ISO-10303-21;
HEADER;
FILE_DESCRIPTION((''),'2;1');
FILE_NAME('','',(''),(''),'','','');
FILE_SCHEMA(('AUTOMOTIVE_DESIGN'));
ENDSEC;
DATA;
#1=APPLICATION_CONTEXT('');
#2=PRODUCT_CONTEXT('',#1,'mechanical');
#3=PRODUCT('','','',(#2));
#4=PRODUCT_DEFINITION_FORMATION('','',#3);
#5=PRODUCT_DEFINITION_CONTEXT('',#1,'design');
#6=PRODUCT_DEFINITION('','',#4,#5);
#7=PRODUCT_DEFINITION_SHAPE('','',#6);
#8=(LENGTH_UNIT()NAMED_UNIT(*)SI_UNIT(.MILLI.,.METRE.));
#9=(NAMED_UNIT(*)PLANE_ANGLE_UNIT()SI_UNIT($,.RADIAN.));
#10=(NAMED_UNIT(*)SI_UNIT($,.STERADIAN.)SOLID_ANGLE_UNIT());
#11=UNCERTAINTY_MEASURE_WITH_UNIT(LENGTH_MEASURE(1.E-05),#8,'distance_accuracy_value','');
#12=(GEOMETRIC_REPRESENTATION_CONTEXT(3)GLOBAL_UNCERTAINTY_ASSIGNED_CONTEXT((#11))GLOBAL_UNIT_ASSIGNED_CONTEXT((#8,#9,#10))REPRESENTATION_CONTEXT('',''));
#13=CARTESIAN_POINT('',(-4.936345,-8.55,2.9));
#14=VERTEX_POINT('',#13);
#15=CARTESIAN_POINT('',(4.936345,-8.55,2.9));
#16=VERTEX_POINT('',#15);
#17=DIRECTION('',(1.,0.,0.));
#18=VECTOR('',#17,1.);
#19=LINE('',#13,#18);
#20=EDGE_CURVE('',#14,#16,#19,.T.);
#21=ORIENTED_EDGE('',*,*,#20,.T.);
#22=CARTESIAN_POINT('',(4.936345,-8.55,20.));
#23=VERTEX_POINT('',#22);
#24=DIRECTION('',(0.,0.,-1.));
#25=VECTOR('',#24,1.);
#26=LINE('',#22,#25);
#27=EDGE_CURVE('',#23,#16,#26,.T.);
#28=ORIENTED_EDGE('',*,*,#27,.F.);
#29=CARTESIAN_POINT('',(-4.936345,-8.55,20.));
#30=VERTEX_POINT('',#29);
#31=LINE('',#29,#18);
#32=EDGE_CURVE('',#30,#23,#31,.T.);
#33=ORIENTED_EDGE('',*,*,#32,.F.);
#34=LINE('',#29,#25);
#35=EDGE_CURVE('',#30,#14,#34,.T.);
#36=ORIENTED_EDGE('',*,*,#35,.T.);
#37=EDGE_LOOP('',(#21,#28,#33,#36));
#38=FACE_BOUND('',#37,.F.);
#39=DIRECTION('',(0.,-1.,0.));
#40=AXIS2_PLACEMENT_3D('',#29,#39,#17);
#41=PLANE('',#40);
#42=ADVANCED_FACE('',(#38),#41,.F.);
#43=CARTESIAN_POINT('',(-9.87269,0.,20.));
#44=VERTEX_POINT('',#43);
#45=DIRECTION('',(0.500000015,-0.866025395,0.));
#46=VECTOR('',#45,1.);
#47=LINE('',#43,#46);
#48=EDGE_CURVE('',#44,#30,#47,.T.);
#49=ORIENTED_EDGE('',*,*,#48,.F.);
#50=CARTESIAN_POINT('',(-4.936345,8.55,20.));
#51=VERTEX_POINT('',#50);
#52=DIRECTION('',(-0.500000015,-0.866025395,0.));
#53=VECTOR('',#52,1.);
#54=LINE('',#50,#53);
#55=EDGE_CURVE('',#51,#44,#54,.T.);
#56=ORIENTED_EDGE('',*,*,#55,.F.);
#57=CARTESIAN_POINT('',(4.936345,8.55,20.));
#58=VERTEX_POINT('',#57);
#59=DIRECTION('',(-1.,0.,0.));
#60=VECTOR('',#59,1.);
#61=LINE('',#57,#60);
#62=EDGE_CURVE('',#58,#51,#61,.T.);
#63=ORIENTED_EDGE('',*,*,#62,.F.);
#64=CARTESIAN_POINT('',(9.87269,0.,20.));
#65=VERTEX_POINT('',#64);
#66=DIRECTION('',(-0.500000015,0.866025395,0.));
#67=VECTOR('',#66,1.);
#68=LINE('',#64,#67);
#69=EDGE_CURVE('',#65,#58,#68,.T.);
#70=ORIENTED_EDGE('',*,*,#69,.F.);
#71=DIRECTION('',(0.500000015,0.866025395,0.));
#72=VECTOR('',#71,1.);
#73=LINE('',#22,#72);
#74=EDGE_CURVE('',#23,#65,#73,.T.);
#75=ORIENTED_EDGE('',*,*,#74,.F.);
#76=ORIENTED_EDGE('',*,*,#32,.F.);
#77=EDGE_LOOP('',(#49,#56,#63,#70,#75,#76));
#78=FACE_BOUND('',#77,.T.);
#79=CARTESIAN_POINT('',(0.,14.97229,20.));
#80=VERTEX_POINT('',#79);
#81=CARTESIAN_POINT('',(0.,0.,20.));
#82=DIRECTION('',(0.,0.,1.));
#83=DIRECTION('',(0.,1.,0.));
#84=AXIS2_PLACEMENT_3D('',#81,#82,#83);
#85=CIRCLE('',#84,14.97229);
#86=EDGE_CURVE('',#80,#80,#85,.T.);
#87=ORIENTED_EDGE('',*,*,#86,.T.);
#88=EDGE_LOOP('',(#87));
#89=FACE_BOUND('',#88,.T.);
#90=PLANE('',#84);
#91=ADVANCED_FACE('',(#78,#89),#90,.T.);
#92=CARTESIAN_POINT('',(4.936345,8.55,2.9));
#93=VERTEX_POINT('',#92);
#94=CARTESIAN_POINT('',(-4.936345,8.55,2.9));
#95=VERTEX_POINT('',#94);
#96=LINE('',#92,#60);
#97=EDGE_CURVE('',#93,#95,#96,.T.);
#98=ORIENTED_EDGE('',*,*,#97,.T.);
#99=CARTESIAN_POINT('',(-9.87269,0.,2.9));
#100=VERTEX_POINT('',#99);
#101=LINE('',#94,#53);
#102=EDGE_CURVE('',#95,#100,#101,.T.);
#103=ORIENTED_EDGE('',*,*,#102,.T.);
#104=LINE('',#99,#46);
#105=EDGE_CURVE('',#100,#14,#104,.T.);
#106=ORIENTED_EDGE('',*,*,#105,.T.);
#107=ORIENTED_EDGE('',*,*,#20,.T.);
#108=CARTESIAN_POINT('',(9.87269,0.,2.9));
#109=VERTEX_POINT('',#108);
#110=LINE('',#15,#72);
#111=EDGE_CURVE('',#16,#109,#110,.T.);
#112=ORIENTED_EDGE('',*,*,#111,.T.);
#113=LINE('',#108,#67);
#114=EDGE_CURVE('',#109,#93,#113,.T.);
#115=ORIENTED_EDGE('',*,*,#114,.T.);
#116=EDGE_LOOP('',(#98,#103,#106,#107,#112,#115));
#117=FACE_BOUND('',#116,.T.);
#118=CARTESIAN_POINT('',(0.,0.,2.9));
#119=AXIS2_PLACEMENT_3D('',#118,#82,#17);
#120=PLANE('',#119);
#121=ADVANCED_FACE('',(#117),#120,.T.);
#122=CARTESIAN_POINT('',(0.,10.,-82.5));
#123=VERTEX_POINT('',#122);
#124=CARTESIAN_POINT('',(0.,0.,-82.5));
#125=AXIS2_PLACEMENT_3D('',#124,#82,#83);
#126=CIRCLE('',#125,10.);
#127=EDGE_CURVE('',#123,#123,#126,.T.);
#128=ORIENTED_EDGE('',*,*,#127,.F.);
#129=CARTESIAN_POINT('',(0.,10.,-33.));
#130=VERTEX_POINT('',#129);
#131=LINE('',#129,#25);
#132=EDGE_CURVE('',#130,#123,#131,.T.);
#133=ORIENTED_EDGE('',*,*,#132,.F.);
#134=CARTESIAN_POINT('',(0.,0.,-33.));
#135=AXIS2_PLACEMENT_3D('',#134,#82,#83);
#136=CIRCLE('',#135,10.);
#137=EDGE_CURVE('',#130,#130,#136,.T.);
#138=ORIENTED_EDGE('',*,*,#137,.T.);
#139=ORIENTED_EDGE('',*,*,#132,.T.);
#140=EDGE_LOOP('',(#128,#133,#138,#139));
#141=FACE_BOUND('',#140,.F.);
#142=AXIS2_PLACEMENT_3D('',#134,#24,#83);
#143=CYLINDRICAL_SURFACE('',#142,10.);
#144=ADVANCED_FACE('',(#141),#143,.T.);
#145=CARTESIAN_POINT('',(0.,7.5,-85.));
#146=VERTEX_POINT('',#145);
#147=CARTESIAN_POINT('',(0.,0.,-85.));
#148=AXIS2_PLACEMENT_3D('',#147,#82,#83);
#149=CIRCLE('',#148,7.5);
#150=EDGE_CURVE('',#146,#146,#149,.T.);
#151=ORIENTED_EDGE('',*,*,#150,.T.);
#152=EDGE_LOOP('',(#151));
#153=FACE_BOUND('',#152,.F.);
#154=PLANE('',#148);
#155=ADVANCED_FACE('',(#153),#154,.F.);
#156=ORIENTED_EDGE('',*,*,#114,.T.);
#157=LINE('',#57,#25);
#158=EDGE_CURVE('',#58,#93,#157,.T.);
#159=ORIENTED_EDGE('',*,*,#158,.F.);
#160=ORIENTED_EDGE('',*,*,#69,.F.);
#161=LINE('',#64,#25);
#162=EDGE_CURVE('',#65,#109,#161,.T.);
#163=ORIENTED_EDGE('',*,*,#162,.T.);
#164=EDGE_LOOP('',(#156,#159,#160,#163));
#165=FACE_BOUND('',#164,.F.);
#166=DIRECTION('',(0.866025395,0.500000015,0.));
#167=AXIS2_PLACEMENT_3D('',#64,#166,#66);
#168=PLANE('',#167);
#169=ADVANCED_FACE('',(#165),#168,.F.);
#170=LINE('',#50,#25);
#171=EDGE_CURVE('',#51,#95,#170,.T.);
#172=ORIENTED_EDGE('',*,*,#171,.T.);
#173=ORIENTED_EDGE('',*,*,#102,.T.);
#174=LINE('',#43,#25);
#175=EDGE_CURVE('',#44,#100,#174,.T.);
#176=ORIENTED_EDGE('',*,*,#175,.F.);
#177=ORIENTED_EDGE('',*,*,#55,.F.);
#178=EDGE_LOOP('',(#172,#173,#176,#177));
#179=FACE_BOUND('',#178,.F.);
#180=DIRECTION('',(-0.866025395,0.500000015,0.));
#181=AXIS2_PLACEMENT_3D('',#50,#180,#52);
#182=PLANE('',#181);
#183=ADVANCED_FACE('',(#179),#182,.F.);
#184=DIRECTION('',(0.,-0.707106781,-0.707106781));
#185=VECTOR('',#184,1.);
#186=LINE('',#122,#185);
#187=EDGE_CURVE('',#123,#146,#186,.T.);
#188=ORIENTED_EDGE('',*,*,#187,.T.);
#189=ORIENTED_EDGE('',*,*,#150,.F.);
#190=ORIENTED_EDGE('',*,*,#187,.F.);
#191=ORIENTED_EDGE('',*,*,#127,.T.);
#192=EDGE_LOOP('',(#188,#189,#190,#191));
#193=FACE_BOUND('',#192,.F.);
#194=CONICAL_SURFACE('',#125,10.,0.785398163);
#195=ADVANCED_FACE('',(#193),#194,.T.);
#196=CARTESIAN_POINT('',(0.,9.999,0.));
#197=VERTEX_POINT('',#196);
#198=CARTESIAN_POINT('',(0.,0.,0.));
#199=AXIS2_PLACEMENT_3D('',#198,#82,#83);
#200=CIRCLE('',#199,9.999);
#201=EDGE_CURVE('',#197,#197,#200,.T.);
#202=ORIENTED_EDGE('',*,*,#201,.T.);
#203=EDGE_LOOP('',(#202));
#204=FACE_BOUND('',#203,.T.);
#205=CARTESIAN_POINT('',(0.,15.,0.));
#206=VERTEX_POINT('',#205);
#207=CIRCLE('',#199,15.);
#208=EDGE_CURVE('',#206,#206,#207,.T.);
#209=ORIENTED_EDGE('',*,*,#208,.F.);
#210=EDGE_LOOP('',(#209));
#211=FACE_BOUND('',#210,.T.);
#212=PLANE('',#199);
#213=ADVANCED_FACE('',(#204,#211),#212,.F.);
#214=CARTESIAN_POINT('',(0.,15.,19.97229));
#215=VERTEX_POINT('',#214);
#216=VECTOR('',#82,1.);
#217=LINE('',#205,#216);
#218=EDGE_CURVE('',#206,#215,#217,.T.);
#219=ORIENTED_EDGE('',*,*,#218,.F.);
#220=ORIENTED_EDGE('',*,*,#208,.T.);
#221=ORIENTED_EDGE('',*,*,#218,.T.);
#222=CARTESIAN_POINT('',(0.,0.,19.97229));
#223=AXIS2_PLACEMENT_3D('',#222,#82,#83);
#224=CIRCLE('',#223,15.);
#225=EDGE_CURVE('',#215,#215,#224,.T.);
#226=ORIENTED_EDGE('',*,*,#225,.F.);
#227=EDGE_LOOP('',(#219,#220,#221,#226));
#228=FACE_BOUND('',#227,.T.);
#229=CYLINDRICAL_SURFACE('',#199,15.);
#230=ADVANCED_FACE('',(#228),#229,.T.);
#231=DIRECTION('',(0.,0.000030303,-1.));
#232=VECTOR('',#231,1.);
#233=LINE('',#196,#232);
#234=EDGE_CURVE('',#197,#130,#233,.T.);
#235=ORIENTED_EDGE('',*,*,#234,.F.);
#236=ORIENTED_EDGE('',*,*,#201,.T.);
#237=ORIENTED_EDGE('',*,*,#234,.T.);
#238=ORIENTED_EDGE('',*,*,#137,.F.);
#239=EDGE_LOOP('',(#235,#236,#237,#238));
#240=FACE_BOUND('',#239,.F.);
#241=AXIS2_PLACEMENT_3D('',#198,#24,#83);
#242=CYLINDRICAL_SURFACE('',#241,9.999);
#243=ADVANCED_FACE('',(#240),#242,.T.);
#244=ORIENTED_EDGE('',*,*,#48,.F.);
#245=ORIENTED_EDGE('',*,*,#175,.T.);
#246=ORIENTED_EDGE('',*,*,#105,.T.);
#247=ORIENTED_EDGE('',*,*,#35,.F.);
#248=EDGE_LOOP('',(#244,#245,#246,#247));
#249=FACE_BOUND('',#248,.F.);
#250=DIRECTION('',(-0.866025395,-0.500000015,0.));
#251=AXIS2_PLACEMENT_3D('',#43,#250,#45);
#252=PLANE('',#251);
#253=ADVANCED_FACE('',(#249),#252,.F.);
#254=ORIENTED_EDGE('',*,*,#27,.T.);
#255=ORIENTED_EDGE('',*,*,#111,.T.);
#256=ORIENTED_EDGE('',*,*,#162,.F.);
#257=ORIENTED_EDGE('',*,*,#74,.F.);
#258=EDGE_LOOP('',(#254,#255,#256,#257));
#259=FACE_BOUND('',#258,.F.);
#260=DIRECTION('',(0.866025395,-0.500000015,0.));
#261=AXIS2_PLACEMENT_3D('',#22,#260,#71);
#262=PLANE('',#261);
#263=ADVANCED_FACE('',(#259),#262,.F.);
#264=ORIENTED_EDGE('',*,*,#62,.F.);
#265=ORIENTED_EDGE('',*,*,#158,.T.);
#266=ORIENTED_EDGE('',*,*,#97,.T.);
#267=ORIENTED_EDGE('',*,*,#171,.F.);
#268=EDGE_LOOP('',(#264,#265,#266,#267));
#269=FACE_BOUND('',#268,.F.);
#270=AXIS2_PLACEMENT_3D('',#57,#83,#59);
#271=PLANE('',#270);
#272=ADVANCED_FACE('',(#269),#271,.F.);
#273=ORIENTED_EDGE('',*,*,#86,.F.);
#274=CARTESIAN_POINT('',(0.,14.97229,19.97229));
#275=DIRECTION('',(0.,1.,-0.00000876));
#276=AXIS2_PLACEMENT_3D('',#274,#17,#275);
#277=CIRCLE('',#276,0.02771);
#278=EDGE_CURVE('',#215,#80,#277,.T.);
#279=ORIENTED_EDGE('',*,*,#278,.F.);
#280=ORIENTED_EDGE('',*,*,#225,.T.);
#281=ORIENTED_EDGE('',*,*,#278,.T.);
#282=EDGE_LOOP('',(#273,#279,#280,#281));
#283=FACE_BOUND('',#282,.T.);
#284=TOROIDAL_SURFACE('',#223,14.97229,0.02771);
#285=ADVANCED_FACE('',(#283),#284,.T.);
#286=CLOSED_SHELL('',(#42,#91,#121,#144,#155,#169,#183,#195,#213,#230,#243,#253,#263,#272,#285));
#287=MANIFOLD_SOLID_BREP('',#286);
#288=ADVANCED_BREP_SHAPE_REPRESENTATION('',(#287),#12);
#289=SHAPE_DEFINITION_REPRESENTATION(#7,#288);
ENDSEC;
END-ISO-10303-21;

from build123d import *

# Parameters (mm, degrees)
POCKET_DEPTH = 17.1


with BuildPart() as part:
    # Sketch → Revolve (revolve)
    with BuildSketch(Plane.YZ):
        with BuildLine():
            Line((9.999, 0), (15, 0))
            Line((15, 0), (15, 19.97229))
            ThreePointArc((15, 19.97229), (14.991884, 19.991884), (14.97229, 20))
            Line((14.97229, 20), (0, 20))
            Line((0, -85), (0, 20))
            Line((7.5, -85), (0, -85))
            Line((10, -82.5), (7.5, -85))
            Line((10, -33), (10, -82.5))
            Line((9.999, 0), (10, -33))
        make_face()
    revolve(axis=Axis((0, 0, 0), (0, 0, 1)))

    # Sketch001 → Pocket (cut)
    with BuildSketch(Plane.XY.offset(20)):
        Polygon((9.87269, 0), (4.936345, 8.55), (-4.936345, 8.55), (-9.87269, 0), (-4.936345, -8.55), (4.936345, -8.55), align=None)
    extrude(amount=-POCKET_DEPTH, mode=Mode.SUBTRACT)


solid = part.part
